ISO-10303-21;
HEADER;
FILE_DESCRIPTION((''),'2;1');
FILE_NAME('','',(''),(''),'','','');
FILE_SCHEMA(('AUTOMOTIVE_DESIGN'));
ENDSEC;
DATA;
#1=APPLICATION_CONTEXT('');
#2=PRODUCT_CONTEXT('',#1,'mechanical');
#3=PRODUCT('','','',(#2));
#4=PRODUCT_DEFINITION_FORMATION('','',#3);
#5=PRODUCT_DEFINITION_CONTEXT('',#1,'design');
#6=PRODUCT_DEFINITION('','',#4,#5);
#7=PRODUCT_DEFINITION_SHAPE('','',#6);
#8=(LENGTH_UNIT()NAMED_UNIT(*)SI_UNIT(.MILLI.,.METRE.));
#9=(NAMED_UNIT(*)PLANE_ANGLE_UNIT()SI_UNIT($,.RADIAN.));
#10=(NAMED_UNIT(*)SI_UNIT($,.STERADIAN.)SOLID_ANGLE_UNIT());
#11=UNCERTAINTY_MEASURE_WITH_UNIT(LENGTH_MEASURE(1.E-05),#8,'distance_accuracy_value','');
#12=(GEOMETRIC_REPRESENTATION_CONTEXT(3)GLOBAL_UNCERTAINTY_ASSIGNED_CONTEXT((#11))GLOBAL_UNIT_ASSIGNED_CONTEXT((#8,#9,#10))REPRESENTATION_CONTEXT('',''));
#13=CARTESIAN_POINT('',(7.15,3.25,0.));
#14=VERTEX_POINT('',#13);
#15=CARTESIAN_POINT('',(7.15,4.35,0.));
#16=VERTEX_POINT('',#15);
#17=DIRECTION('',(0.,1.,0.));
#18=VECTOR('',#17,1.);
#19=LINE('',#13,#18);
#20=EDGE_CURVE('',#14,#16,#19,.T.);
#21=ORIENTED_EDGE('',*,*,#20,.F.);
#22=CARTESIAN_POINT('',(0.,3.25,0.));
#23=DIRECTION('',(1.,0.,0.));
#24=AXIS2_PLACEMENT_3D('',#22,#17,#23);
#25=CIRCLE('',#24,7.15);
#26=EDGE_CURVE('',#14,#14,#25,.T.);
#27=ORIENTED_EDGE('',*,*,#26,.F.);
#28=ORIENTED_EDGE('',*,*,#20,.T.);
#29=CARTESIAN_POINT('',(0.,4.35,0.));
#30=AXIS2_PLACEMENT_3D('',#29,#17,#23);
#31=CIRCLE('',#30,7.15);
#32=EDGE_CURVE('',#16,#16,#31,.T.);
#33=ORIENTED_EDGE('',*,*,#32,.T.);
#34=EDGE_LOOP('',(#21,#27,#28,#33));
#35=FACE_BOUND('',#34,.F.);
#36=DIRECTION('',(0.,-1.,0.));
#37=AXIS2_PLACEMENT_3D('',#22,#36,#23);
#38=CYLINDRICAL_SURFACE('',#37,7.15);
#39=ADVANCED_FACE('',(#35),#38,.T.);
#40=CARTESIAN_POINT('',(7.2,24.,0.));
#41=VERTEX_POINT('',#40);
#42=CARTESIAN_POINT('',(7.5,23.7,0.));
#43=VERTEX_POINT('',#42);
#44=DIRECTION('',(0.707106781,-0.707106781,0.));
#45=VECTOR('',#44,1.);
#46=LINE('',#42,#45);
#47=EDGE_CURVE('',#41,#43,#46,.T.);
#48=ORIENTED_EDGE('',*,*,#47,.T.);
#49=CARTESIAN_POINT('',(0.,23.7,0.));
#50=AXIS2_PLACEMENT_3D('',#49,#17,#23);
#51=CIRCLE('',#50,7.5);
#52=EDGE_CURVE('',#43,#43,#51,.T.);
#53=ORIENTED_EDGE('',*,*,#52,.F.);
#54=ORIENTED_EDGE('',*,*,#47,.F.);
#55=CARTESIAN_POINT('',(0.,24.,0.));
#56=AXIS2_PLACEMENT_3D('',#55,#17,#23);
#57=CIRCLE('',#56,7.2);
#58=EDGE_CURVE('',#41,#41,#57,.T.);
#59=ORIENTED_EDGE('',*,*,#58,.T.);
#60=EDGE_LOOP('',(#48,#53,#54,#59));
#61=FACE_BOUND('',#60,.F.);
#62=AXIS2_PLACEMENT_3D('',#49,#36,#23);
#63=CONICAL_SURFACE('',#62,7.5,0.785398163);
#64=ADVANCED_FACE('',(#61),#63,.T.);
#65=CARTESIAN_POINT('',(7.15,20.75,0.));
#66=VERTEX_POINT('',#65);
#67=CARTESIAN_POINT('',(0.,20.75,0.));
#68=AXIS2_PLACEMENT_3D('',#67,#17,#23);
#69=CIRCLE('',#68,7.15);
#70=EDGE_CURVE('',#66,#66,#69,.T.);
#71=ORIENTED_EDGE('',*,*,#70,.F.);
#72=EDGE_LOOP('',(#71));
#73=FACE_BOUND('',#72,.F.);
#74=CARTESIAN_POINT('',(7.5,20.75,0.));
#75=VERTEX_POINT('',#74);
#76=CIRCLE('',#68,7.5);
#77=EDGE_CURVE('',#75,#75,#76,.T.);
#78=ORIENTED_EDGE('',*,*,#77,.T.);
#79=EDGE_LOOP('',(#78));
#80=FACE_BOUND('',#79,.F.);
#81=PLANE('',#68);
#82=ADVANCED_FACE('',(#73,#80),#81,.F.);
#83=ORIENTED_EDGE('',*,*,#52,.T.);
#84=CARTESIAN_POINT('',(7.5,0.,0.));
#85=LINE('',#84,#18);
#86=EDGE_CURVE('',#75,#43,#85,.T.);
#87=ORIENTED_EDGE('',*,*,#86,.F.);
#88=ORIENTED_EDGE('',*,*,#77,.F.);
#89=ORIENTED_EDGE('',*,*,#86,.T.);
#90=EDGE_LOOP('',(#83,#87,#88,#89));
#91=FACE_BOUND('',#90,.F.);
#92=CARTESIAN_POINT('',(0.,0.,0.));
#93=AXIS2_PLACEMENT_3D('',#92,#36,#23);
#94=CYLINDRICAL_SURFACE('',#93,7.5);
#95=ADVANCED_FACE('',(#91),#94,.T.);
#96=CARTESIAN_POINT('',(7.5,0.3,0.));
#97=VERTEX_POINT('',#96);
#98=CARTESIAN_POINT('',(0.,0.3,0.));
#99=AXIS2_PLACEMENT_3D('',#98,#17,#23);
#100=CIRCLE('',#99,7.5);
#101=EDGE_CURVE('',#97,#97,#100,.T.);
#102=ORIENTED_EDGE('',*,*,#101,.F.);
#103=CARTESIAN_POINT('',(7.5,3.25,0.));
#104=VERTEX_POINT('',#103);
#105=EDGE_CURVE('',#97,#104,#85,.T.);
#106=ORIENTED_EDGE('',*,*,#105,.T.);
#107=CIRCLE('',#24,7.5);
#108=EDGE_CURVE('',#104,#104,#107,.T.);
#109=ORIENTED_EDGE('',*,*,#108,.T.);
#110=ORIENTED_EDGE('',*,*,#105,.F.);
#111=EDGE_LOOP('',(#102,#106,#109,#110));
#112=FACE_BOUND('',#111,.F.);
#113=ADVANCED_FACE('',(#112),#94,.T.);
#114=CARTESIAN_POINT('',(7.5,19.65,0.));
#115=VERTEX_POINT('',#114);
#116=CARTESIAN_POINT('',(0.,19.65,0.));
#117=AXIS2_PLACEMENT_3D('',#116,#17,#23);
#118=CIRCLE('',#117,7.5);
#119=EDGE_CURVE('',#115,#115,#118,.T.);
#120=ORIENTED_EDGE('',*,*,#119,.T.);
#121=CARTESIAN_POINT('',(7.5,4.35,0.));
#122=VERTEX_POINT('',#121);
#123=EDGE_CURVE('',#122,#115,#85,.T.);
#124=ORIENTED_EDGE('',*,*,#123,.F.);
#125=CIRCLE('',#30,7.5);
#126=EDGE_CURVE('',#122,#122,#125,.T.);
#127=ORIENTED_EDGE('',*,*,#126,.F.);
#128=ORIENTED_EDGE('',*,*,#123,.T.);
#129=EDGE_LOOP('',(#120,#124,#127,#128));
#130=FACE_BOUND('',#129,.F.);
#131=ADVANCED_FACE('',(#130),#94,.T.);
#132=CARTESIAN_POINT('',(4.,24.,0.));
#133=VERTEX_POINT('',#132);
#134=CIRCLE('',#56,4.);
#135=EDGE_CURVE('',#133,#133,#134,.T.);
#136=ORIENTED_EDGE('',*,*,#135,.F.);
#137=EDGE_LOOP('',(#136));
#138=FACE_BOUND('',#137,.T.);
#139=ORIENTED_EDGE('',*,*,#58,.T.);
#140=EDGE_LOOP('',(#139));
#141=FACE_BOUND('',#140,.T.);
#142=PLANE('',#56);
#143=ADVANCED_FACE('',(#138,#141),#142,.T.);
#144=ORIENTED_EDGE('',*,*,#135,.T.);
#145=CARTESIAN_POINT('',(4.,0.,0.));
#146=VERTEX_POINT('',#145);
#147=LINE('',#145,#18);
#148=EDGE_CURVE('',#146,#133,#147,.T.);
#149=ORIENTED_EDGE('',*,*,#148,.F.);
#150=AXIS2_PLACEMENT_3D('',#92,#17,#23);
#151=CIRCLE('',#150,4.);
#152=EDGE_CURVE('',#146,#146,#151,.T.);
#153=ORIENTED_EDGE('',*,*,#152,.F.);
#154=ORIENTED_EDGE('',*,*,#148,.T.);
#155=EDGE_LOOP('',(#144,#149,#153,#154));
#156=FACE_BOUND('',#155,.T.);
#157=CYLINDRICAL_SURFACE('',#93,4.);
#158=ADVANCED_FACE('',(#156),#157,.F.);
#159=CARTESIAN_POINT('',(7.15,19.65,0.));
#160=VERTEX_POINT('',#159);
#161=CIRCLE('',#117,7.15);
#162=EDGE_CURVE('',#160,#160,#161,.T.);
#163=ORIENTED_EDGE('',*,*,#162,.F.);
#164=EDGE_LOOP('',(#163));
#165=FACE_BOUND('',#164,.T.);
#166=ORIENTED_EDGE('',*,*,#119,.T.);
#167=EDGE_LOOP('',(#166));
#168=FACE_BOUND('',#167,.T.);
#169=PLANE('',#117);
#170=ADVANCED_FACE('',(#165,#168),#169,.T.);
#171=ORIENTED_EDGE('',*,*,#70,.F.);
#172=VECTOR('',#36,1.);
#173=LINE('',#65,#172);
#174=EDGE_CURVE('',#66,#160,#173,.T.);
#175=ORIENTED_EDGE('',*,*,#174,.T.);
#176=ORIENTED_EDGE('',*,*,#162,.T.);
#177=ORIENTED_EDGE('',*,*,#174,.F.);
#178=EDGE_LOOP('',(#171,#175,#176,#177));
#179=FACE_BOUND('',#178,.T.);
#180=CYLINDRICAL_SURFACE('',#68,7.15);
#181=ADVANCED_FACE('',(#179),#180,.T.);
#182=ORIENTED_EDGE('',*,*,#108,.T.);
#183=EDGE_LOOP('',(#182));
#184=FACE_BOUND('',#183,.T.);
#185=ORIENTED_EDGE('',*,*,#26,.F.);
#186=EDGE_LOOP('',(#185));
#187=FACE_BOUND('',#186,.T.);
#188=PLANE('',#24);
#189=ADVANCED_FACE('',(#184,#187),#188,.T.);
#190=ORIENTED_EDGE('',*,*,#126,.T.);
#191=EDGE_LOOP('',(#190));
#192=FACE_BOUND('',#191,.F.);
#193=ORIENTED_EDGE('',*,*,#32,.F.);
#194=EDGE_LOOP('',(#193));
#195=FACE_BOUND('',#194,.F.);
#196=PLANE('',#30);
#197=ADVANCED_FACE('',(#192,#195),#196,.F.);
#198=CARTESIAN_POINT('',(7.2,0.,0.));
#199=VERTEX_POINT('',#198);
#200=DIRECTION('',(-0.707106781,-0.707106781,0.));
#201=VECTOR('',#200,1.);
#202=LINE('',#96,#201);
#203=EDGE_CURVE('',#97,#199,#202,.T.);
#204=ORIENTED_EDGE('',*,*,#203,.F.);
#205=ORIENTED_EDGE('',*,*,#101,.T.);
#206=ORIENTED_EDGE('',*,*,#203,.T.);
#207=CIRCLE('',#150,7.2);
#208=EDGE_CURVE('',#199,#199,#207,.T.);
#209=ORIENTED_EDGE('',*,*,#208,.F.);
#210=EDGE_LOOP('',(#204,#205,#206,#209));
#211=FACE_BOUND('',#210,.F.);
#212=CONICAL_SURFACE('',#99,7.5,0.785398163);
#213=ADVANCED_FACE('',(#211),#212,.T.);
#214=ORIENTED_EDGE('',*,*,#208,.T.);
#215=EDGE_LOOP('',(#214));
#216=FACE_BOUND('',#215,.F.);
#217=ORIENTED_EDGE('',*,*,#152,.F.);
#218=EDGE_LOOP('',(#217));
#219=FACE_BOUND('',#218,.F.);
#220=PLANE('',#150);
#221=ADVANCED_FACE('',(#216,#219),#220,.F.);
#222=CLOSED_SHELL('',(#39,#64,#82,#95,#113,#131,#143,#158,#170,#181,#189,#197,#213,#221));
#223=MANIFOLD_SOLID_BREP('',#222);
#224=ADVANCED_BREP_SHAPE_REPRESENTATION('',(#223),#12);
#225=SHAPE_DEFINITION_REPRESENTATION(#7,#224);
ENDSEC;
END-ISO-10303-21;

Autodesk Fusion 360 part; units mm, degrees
sketch "Sketch1" plane through (0, 0, 0) normal (0, 1, 0) x (1, 0, 0)
  circle A0 centre (0, 0) radius 4
  circle A1 centre (0, 0) radius 7.5
  circle A2 centre (0, 0) radius 7.15
  dimension "d1" = 8
  dimension "d2" = 15
  dimension "d6" = 0.35
extrude "Extrude1" add sketch "Sketch1" along normal blind 24 contours A1 | A2
extrude "Extrude2" cut sketch "Sketch1" along normal blind 1.1 from surface at 3.25 contours A1
extrude "Extrude3" cut sketch "Sketch1" against normal blind 1.1 from surface at 20.75 contours A1
chamfer "Chamfer1" distance 0.3 angle 45 2 edges at (-6.9925, 0, 2.7121) (-6.9925, 24, 2.7121)
